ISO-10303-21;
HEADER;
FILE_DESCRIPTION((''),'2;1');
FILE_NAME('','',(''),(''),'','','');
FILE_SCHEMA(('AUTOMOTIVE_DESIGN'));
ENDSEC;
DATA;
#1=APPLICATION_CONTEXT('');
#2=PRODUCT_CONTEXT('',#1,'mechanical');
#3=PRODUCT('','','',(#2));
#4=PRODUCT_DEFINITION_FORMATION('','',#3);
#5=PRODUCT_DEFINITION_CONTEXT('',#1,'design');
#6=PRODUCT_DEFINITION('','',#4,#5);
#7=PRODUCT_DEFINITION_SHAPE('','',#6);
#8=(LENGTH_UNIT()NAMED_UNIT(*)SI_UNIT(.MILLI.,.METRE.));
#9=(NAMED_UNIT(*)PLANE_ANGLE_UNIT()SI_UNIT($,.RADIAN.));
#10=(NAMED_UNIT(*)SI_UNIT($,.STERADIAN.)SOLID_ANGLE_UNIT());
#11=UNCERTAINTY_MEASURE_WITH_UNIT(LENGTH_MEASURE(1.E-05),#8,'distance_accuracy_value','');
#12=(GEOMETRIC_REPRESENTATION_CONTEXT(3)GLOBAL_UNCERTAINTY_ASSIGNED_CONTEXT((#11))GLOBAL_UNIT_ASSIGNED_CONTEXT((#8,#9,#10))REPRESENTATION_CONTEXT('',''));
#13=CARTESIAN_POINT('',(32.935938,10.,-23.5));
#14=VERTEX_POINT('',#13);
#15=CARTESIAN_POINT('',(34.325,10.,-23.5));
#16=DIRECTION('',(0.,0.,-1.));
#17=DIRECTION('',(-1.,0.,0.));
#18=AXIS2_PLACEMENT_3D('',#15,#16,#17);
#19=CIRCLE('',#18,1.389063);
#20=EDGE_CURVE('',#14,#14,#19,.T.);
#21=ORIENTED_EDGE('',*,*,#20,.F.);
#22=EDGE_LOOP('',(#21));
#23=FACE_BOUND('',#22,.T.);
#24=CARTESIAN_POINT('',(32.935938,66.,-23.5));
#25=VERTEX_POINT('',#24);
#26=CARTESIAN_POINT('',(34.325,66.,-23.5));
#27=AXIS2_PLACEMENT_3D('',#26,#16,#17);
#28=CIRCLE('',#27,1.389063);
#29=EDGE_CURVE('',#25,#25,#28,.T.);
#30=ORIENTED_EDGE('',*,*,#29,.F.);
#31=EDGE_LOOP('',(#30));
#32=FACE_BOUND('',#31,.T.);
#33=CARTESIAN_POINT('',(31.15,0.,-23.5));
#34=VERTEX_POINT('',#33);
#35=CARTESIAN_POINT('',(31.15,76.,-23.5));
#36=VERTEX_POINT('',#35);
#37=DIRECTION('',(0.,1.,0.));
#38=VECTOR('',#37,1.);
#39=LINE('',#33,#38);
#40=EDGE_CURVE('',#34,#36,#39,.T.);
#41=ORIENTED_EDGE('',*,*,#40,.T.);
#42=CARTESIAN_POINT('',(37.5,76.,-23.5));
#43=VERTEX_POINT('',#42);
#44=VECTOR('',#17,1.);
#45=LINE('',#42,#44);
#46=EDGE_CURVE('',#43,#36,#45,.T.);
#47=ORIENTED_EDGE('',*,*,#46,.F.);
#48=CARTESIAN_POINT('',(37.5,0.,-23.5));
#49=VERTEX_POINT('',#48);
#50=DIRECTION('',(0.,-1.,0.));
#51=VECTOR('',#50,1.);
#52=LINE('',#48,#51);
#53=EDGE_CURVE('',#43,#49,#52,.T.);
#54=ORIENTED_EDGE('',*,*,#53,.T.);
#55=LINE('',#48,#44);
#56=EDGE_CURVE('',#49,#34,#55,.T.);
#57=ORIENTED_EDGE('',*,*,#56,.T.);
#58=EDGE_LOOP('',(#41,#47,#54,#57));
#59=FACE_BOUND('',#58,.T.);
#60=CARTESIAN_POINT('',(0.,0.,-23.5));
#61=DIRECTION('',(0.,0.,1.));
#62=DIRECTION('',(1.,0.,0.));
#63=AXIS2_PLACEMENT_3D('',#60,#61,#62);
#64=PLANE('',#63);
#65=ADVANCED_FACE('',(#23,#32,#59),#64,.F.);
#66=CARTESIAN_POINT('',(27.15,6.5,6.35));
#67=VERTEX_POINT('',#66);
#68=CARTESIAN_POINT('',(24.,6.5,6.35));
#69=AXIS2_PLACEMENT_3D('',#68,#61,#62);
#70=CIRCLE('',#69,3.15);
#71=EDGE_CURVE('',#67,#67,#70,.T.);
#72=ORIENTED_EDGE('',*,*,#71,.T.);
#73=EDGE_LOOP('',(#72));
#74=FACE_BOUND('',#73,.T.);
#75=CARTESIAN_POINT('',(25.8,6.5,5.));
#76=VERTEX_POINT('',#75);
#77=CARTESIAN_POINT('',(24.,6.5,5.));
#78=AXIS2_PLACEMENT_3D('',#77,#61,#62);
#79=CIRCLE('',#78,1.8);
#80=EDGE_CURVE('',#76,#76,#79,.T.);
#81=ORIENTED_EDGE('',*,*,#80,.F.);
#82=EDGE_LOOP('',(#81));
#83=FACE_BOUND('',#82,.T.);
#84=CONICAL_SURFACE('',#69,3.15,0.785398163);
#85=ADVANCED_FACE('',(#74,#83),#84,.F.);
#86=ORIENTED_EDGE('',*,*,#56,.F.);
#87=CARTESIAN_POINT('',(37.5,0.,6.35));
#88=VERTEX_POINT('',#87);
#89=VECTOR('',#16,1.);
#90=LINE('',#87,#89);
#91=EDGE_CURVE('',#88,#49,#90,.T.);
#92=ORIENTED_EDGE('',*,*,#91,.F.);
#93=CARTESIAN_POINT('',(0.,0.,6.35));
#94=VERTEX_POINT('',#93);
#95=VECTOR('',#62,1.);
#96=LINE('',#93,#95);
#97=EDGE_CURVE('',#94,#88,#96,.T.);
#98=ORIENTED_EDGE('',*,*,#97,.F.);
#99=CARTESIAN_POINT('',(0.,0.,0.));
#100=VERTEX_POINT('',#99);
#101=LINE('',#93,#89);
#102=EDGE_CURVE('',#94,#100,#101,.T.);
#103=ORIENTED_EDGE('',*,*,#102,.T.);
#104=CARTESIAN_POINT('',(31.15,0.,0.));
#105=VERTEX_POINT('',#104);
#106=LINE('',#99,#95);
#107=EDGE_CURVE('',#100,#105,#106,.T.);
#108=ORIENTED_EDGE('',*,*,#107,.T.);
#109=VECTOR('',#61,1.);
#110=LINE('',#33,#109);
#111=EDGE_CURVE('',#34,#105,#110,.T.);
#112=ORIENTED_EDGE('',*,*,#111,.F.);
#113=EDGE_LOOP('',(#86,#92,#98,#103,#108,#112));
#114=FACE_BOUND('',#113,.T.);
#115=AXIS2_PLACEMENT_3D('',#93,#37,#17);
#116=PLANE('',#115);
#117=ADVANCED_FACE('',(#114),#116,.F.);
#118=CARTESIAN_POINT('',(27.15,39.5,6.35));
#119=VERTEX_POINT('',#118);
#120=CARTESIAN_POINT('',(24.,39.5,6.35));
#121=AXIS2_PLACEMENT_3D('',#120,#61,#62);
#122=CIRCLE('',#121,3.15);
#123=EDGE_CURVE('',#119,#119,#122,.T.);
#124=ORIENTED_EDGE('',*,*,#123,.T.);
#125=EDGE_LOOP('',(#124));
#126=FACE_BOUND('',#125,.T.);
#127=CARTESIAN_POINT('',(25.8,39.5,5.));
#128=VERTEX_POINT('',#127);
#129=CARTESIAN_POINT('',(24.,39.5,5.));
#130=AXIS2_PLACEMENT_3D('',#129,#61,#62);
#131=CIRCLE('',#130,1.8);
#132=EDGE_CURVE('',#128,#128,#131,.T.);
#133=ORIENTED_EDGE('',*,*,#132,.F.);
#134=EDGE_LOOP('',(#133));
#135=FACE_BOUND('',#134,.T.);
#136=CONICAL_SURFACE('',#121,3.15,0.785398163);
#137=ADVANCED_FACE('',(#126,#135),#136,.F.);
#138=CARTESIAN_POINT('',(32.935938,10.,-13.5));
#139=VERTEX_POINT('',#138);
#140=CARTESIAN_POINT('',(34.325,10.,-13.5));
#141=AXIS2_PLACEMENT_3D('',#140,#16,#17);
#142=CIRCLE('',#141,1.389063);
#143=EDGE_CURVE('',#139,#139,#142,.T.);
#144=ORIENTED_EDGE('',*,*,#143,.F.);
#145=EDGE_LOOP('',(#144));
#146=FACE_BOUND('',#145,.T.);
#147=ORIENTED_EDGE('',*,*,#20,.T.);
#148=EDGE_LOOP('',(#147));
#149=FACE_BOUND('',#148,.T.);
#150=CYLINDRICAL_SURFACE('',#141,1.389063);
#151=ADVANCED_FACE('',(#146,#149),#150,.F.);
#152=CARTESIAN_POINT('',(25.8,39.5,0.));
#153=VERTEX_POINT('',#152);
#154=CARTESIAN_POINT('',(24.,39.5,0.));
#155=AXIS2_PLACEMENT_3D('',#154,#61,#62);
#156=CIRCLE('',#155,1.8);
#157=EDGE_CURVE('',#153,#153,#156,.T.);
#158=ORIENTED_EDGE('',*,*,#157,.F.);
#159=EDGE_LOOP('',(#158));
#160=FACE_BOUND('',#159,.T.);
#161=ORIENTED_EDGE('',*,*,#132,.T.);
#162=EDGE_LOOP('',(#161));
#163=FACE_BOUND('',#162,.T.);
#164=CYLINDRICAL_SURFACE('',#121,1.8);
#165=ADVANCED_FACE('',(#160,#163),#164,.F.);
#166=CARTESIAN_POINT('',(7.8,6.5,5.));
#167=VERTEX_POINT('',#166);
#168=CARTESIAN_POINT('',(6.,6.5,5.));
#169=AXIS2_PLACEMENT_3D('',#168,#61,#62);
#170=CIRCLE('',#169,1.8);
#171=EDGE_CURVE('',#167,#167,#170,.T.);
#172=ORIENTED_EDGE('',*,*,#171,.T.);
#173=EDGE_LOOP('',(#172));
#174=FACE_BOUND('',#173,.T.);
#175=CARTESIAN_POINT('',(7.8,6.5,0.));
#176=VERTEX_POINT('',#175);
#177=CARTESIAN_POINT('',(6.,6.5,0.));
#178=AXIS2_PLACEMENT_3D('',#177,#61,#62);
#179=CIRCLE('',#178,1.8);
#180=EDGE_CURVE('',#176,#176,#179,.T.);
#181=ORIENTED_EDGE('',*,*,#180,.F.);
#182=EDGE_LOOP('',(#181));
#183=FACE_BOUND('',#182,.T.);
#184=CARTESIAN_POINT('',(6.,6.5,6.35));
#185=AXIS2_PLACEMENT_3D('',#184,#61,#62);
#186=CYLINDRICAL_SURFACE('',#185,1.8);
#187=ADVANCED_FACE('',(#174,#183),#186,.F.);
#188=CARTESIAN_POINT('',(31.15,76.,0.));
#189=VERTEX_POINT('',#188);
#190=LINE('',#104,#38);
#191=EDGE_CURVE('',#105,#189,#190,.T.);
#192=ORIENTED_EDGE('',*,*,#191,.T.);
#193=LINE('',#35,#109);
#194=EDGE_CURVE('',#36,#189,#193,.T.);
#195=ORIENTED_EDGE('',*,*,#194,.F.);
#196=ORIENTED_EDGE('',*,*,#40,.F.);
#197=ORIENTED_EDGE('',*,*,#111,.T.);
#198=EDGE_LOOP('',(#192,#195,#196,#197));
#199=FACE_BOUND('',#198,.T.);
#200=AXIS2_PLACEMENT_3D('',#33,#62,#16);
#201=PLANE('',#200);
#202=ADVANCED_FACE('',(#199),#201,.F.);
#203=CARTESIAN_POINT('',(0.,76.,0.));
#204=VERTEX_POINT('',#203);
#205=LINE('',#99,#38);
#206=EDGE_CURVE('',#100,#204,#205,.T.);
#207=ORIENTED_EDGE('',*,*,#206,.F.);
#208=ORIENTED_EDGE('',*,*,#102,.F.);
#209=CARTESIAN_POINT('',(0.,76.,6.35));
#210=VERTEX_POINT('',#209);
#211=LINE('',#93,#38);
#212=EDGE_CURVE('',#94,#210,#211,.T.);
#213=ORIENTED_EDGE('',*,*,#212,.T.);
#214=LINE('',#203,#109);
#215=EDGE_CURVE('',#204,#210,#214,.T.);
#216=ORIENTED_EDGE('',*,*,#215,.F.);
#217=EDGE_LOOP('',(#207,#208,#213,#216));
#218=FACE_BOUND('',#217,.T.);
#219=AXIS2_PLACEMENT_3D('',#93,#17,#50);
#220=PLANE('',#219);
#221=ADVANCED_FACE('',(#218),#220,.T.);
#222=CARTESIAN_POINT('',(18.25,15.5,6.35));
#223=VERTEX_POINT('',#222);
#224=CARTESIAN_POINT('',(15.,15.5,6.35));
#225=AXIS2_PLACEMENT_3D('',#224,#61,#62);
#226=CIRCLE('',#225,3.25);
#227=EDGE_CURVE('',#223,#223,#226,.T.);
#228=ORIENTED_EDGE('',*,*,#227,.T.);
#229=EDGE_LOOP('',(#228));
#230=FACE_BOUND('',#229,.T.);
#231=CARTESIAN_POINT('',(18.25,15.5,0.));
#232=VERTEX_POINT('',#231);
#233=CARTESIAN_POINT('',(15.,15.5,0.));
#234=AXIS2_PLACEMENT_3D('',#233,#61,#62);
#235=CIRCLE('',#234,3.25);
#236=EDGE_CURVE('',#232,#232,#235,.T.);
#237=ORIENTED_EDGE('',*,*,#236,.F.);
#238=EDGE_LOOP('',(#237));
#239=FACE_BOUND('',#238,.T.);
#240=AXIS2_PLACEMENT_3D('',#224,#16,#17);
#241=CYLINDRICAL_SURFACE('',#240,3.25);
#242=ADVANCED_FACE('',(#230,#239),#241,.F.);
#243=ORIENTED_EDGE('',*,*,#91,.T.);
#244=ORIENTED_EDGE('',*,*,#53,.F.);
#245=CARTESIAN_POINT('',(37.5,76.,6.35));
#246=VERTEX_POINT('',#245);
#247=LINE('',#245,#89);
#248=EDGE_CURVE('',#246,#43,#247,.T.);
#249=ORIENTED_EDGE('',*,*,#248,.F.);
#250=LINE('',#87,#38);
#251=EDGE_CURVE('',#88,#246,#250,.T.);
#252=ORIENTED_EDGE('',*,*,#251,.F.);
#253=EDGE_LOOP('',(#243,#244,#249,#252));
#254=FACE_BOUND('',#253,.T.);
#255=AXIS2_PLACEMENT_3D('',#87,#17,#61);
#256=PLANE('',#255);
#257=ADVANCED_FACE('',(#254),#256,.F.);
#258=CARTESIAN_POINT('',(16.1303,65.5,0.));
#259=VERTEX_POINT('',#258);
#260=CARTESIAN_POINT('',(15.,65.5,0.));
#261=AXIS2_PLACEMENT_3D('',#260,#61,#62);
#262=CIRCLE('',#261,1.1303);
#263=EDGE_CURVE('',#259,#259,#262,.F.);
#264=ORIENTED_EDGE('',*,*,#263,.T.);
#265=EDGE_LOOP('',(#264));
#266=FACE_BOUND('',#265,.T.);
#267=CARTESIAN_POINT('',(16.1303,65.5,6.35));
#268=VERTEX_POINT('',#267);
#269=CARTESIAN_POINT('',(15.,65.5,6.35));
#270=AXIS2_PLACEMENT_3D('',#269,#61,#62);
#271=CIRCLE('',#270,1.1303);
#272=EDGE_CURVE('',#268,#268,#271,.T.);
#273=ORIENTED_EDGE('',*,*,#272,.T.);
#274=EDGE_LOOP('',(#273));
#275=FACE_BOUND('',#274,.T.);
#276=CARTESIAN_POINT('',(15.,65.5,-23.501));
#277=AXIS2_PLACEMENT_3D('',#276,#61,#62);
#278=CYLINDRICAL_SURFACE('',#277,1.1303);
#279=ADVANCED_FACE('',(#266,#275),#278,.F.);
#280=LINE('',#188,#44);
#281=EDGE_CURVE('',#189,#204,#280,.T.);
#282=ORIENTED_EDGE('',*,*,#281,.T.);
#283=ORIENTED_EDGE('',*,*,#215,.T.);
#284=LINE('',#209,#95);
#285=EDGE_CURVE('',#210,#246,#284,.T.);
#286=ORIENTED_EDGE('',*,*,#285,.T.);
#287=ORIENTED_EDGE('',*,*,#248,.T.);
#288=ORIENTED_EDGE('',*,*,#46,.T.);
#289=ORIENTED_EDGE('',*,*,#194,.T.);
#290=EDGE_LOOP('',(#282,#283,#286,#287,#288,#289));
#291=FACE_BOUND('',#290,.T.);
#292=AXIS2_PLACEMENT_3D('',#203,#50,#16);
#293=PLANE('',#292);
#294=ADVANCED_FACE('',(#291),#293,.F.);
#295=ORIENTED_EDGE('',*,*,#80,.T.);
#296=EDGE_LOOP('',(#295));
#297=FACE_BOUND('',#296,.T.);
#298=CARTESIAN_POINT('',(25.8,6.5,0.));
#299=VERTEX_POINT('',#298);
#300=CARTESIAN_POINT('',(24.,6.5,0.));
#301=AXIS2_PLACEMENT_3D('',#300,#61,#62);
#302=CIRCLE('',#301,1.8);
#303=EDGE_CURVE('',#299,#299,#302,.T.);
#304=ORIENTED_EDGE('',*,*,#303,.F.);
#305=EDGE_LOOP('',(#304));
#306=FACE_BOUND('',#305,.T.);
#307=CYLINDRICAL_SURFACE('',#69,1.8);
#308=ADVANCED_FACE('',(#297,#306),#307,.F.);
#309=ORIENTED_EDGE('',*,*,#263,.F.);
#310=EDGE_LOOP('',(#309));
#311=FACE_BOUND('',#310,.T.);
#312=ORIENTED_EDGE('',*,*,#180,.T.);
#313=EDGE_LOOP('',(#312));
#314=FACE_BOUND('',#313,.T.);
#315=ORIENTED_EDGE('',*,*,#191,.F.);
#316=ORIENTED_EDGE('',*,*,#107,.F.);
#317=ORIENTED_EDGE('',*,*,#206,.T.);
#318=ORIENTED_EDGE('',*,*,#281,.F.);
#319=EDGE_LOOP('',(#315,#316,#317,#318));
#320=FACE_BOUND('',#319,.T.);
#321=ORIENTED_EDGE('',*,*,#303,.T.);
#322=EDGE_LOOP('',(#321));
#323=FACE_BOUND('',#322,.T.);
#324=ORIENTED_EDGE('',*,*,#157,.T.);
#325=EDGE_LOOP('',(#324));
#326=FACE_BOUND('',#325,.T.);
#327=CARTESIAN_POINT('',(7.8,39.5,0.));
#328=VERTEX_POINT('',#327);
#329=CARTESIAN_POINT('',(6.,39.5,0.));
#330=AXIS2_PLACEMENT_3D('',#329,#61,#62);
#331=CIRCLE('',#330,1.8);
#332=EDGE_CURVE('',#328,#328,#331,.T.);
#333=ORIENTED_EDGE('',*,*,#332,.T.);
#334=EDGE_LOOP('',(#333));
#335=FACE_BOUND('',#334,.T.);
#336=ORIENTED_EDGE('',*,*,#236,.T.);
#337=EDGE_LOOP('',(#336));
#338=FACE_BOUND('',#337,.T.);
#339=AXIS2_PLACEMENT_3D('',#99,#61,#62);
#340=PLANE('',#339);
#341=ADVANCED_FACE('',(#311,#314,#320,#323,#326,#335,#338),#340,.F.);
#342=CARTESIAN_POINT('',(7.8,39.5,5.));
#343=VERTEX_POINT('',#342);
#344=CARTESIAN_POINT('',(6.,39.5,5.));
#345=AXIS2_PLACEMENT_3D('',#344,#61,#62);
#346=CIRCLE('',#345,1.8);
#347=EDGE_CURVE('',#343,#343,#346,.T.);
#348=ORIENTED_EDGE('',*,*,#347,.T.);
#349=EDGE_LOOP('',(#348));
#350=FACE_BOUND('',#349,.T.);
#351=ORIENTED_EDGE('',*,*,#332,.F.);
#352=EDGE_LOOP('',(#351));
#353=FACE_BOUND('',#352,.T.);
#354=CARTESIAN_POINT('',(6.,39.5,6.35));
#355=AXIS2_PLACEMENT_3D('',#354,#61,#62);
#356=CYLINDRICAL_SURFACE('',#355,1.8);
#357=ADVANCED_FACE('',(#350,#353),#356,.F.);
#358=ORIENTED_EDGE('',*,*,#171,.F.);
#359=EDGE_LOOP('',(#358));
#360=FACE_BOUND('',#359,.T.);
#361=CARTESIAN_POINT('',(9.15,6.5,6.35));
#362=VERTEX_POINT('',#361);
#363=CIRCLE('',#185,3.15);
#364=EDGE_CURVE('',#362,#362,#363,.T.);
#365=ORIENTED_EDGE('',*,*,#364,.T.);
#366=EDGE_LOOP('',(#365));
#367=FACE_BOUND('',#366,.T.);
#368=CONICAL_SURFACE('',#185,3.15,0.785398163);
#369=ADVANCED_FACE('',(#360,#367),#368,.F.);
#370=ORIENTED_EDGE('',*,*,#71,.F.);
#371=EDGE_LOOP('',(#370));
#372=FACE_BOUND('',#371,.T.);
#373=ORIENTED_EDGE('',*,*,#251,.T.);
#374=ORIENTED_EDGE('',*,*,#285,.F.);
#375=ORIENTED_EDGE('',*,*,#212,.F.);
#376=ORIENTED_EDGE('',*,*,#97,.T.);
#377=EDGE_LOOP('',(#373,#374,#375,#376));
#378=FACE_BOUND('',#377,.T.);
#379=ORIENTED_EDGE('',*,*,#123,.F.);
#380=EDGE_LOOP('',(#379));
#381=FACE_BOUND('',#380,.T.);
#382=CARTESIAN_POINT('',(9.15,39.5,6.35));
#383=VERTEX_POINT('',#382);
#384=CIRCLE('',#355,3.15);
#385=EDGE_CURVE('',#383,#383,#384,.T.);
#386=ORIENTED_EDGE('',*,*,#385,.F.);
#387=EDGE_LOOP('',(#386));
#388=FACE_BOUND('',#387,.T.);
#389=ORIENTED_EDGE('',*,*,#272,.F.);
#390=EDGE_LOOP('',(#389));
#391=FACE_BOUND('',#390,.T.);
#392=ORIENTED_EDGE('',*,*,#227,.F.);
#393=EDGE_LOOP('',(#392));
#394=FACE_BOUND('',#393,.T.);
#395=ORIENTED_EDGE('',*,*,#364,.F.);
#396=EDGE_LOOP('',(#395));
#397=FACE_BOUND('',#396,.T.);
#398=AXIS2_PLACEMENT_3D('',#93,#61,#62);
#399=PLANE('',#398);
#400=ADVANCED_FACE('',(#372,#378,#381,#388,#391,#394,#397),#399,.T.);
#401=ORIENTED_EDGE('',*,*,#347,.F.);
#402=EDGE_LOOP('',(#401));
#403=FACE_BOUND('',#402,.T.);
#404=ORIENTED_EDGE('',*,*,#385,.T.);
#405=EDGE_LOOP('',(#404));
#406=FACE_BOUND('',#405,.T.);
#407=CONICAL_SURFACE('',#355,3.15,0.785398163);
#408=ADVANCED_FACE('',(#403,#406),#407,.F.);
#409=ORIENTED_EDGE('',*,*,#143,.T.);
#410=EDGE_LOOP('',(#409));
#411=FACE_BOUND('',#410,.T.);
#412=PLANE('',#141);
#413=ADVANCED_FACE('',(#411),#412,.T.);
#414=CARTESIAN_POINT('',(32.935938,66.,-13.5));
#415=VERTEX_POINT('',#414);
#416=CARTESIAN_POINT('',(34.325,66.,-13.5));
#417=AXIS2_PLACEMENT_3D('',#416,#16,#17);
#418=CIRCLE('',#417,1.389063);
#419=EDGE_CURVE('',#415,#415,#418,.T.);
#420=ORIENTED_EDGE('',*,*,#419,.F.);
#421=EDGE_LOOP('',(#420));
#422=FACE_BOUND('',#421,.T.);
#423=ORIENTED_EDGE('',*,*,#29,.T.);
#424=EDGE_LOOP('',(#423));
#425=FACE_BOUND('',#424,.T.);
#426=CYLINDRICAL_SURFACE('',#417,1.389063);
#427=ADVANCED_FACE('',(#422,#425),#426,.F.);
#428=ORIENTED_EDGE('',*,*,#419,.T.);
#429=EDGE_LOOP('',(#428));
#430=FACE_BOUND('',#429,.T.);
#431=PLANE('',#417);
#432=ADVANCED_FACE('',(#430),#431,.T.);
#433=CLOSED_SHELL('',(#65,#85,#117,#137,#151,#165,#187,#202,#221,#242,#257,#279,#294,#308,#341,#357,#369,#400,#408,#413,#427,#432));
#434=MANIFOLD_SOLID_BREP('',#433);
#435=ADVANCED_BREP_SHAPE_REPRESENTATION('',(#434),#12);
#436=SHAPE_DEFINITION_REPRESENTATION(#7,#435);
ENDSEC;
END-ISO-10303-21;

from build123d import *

# Parameters (mm, degrees)
SKETCH1_W                                       = 37.5
SKETCH1_H                                       = 46
SKETCH1_R                                       = 6.25
SKETCH1_R_2                                     = 3.5
SKETCH1_R_3                                     = 3.25
SKETCH1_R_4                                     = 1.7
BOSS_EXTRUDE1_DEPTH                             = 6.35
CSK_FOR_M3_FLAT_HEAD_MACHINE_SCREW1_D           = 3.6
CSK_FOR_M3_FLAT_HEAD_MACHINE_SCREW1_CSINK_D     = 6.3
CSK_FOR_M3_FLAT_HEAD_MACHINE_SCREW1_CSINK_ANGLE = 90
SKETCH3_W                                       = 6.35
SKETCH3_H                                       = 46
BOSS_EXTRUDE2_DEPTH                             = 23.5
BOSS_EXTRUDE4_DEPTH                             = 30
CUT_EXTRUDE1_REACH                              = 91.851
SKETCH6_R                                       = 1.1303
SKETCH7_R                                       = 1.3890625
CUT_EXTRUDE2_DEPTH                              = 10


with BuildPart() as part:
    # Sketch1 → Boss-Extrude1 (new body)
    # profile 1 of 6: a face of its own
    with BuildSketch(Plane.XY):
        with Locations((18.75, 23)):
            Rectangle(SKETCH1_W, SKETCH1_H)
        with Locations((15, 15.5)):
            Circle(SKETCH1_R, mode=Mode.SUBTRACT)
        with Locations((24, 6.5)):
            Circle(SKETCH1_R_2, mode=Mode.SUBTRACT)
        with Locations((6, 6.5)):
            Circle(SKETCH1_R_2, mode=Mode.SUBTRACT)
        with Locations((6, 39.5)):
            Circle(SKETCH1_R_2, mode=Mode.SUBTRACT)
        with Locations((24, 39.5)):
            Circle(SKETCH1_R_2, mode=Mode.SUBTRACT)
    # profile 2 of 6: a face of its own
    with BuildSketch(Plane.XY):
        with Locations((15, 15.5)):
            Circle(SKETCH1_R)
        with Locations((15, 15.5)):
            Circle(SKETCH1_R_3, mode=Mode.SUBTRACT)
    # profile 3 of 6: a face of its own
    with BuildSketch(Plane.XY):
        with Locations((6, 39.5)):
            Circle(SKETCH1_R_2)
        with Locations((6, 39.5)):
            Circle(SKETCH1_R_4, mode=Mode.SUBTRACT)
    # profile 4 of 6: a face of its own
    with BuildSketch(Plane.XY):
        with Locations((24, 39.5)):
            Circle(SKETCH1_R_2)
        with Locations((24, 39.5)):
            Circle(SKETCH1_R_4, mode=Mode.SUBTRACT)
    # profile 5 of 6: a face of its own
    with BuildSketch(Plane.XY):
        with Locations((24, 6.5)):
            Circle(SKETCH1_R_2)
        with Locations((24, 6.5)):
            Circle(SKETCH1_R_4, mode=Mode.SUBTRACT)
    # profile 6 of 6: a face of its own
    with BuildSketch(Plane.XY):
        with Locations((6, 6.5)):
            Circle(SKETCH1_R_2)
        with Locations((6, 6.5)):
            Circle(SKETCH1_R_4, mode=Mode.SUBTRACT)
    extrude(amount=BOSS_EXTRUDE1_DEPTH)

    # CSK for M3 Flat Head Machine Screw1 (through all)
    with Locations(Plane(origin=(6, 6.5, 6.35), x_dir=(1, 0, 0), z_dir=(0, 0, 1))):
        with Locations((0, 0), (0, 33), (18, 33), (18, 0)):
            CounterSinkHole(CSK_FOR_M3_FLAT_HEAD_MACHINE_SCREW1_D / 2, CSK_FOR_M3_FLAT_HEAD_MACHINE_SCREW1_CSINK_D / 2, counter_sink_angle=CSK_FOR_M3_FLAT_HEAD_MACHINE_SCREW1_CSINK_ANGLE)

    # Sketch3 → Boss-Extrude2 (add)
    with BuildSketch(Plane(origin=(0, 0, 0), x_dir=(-1, 0, 0), z_dir=(0, 0, -1))):
        with Locations((-34.325, 23)):
            Rectangle(SKETCH3_W, SKETCH3_H)
    extrude(amount=BOSS_EXTRUDE2_DEPTH)

    # Sketch5 → Boss-Extrude4 (add)
    with BuildSketch(Plane(origin=(0, 46, 0), x_dir=(1, 0, 0), z_dir=(0, 1, 0))):
        Polygon((31.15, 0), (0, 0), (0, -6.35), (37.5, -6.35), (37.5, 23.5), (31.15, 23.5), align=None)
    extrude(amount=BOSS_EXTRUDE4_DEPTH)

    # Sketch6 → Cut-Extrude1 (cut, up to next)
    with BuildSketch(Plane.XY.offset(6.35), mode=Mode.PRIVATE) as cut_extrude1_sk1:
        with Locations((15, 65.5)):
            Circle(SKETCH6_R)
    cut_extrude1_tool1 = extrude(cut_extrude1_sk1.sketch, amount=-CUT_EXTRUDE1_REACH, mode=Mode.PRIVATE) & part.part
    add(cut_extrude1_tool1.solids().sort_by_distance((15, 65.5, 6.35))[0], mode=Mode.SUBTRACT)

    # Sketch7 → Cut-Extrude2 (cut)
    with BuildSketch(Plane(origin=(0, 0, -23.5), x_dir=(-1, 0, 0), z_dir=(0, 0, -1))):
        with Locations((-34.325, 10)):
            Circle(SKETCH7_R)
        with Locations((-34.325, 66)):
            Circle(SKETCH7_R)
    extrude(amount=-CUT_EXTRUDE2_DEPTH, mode=Mode.SUBTRACT)


solid = part.part
